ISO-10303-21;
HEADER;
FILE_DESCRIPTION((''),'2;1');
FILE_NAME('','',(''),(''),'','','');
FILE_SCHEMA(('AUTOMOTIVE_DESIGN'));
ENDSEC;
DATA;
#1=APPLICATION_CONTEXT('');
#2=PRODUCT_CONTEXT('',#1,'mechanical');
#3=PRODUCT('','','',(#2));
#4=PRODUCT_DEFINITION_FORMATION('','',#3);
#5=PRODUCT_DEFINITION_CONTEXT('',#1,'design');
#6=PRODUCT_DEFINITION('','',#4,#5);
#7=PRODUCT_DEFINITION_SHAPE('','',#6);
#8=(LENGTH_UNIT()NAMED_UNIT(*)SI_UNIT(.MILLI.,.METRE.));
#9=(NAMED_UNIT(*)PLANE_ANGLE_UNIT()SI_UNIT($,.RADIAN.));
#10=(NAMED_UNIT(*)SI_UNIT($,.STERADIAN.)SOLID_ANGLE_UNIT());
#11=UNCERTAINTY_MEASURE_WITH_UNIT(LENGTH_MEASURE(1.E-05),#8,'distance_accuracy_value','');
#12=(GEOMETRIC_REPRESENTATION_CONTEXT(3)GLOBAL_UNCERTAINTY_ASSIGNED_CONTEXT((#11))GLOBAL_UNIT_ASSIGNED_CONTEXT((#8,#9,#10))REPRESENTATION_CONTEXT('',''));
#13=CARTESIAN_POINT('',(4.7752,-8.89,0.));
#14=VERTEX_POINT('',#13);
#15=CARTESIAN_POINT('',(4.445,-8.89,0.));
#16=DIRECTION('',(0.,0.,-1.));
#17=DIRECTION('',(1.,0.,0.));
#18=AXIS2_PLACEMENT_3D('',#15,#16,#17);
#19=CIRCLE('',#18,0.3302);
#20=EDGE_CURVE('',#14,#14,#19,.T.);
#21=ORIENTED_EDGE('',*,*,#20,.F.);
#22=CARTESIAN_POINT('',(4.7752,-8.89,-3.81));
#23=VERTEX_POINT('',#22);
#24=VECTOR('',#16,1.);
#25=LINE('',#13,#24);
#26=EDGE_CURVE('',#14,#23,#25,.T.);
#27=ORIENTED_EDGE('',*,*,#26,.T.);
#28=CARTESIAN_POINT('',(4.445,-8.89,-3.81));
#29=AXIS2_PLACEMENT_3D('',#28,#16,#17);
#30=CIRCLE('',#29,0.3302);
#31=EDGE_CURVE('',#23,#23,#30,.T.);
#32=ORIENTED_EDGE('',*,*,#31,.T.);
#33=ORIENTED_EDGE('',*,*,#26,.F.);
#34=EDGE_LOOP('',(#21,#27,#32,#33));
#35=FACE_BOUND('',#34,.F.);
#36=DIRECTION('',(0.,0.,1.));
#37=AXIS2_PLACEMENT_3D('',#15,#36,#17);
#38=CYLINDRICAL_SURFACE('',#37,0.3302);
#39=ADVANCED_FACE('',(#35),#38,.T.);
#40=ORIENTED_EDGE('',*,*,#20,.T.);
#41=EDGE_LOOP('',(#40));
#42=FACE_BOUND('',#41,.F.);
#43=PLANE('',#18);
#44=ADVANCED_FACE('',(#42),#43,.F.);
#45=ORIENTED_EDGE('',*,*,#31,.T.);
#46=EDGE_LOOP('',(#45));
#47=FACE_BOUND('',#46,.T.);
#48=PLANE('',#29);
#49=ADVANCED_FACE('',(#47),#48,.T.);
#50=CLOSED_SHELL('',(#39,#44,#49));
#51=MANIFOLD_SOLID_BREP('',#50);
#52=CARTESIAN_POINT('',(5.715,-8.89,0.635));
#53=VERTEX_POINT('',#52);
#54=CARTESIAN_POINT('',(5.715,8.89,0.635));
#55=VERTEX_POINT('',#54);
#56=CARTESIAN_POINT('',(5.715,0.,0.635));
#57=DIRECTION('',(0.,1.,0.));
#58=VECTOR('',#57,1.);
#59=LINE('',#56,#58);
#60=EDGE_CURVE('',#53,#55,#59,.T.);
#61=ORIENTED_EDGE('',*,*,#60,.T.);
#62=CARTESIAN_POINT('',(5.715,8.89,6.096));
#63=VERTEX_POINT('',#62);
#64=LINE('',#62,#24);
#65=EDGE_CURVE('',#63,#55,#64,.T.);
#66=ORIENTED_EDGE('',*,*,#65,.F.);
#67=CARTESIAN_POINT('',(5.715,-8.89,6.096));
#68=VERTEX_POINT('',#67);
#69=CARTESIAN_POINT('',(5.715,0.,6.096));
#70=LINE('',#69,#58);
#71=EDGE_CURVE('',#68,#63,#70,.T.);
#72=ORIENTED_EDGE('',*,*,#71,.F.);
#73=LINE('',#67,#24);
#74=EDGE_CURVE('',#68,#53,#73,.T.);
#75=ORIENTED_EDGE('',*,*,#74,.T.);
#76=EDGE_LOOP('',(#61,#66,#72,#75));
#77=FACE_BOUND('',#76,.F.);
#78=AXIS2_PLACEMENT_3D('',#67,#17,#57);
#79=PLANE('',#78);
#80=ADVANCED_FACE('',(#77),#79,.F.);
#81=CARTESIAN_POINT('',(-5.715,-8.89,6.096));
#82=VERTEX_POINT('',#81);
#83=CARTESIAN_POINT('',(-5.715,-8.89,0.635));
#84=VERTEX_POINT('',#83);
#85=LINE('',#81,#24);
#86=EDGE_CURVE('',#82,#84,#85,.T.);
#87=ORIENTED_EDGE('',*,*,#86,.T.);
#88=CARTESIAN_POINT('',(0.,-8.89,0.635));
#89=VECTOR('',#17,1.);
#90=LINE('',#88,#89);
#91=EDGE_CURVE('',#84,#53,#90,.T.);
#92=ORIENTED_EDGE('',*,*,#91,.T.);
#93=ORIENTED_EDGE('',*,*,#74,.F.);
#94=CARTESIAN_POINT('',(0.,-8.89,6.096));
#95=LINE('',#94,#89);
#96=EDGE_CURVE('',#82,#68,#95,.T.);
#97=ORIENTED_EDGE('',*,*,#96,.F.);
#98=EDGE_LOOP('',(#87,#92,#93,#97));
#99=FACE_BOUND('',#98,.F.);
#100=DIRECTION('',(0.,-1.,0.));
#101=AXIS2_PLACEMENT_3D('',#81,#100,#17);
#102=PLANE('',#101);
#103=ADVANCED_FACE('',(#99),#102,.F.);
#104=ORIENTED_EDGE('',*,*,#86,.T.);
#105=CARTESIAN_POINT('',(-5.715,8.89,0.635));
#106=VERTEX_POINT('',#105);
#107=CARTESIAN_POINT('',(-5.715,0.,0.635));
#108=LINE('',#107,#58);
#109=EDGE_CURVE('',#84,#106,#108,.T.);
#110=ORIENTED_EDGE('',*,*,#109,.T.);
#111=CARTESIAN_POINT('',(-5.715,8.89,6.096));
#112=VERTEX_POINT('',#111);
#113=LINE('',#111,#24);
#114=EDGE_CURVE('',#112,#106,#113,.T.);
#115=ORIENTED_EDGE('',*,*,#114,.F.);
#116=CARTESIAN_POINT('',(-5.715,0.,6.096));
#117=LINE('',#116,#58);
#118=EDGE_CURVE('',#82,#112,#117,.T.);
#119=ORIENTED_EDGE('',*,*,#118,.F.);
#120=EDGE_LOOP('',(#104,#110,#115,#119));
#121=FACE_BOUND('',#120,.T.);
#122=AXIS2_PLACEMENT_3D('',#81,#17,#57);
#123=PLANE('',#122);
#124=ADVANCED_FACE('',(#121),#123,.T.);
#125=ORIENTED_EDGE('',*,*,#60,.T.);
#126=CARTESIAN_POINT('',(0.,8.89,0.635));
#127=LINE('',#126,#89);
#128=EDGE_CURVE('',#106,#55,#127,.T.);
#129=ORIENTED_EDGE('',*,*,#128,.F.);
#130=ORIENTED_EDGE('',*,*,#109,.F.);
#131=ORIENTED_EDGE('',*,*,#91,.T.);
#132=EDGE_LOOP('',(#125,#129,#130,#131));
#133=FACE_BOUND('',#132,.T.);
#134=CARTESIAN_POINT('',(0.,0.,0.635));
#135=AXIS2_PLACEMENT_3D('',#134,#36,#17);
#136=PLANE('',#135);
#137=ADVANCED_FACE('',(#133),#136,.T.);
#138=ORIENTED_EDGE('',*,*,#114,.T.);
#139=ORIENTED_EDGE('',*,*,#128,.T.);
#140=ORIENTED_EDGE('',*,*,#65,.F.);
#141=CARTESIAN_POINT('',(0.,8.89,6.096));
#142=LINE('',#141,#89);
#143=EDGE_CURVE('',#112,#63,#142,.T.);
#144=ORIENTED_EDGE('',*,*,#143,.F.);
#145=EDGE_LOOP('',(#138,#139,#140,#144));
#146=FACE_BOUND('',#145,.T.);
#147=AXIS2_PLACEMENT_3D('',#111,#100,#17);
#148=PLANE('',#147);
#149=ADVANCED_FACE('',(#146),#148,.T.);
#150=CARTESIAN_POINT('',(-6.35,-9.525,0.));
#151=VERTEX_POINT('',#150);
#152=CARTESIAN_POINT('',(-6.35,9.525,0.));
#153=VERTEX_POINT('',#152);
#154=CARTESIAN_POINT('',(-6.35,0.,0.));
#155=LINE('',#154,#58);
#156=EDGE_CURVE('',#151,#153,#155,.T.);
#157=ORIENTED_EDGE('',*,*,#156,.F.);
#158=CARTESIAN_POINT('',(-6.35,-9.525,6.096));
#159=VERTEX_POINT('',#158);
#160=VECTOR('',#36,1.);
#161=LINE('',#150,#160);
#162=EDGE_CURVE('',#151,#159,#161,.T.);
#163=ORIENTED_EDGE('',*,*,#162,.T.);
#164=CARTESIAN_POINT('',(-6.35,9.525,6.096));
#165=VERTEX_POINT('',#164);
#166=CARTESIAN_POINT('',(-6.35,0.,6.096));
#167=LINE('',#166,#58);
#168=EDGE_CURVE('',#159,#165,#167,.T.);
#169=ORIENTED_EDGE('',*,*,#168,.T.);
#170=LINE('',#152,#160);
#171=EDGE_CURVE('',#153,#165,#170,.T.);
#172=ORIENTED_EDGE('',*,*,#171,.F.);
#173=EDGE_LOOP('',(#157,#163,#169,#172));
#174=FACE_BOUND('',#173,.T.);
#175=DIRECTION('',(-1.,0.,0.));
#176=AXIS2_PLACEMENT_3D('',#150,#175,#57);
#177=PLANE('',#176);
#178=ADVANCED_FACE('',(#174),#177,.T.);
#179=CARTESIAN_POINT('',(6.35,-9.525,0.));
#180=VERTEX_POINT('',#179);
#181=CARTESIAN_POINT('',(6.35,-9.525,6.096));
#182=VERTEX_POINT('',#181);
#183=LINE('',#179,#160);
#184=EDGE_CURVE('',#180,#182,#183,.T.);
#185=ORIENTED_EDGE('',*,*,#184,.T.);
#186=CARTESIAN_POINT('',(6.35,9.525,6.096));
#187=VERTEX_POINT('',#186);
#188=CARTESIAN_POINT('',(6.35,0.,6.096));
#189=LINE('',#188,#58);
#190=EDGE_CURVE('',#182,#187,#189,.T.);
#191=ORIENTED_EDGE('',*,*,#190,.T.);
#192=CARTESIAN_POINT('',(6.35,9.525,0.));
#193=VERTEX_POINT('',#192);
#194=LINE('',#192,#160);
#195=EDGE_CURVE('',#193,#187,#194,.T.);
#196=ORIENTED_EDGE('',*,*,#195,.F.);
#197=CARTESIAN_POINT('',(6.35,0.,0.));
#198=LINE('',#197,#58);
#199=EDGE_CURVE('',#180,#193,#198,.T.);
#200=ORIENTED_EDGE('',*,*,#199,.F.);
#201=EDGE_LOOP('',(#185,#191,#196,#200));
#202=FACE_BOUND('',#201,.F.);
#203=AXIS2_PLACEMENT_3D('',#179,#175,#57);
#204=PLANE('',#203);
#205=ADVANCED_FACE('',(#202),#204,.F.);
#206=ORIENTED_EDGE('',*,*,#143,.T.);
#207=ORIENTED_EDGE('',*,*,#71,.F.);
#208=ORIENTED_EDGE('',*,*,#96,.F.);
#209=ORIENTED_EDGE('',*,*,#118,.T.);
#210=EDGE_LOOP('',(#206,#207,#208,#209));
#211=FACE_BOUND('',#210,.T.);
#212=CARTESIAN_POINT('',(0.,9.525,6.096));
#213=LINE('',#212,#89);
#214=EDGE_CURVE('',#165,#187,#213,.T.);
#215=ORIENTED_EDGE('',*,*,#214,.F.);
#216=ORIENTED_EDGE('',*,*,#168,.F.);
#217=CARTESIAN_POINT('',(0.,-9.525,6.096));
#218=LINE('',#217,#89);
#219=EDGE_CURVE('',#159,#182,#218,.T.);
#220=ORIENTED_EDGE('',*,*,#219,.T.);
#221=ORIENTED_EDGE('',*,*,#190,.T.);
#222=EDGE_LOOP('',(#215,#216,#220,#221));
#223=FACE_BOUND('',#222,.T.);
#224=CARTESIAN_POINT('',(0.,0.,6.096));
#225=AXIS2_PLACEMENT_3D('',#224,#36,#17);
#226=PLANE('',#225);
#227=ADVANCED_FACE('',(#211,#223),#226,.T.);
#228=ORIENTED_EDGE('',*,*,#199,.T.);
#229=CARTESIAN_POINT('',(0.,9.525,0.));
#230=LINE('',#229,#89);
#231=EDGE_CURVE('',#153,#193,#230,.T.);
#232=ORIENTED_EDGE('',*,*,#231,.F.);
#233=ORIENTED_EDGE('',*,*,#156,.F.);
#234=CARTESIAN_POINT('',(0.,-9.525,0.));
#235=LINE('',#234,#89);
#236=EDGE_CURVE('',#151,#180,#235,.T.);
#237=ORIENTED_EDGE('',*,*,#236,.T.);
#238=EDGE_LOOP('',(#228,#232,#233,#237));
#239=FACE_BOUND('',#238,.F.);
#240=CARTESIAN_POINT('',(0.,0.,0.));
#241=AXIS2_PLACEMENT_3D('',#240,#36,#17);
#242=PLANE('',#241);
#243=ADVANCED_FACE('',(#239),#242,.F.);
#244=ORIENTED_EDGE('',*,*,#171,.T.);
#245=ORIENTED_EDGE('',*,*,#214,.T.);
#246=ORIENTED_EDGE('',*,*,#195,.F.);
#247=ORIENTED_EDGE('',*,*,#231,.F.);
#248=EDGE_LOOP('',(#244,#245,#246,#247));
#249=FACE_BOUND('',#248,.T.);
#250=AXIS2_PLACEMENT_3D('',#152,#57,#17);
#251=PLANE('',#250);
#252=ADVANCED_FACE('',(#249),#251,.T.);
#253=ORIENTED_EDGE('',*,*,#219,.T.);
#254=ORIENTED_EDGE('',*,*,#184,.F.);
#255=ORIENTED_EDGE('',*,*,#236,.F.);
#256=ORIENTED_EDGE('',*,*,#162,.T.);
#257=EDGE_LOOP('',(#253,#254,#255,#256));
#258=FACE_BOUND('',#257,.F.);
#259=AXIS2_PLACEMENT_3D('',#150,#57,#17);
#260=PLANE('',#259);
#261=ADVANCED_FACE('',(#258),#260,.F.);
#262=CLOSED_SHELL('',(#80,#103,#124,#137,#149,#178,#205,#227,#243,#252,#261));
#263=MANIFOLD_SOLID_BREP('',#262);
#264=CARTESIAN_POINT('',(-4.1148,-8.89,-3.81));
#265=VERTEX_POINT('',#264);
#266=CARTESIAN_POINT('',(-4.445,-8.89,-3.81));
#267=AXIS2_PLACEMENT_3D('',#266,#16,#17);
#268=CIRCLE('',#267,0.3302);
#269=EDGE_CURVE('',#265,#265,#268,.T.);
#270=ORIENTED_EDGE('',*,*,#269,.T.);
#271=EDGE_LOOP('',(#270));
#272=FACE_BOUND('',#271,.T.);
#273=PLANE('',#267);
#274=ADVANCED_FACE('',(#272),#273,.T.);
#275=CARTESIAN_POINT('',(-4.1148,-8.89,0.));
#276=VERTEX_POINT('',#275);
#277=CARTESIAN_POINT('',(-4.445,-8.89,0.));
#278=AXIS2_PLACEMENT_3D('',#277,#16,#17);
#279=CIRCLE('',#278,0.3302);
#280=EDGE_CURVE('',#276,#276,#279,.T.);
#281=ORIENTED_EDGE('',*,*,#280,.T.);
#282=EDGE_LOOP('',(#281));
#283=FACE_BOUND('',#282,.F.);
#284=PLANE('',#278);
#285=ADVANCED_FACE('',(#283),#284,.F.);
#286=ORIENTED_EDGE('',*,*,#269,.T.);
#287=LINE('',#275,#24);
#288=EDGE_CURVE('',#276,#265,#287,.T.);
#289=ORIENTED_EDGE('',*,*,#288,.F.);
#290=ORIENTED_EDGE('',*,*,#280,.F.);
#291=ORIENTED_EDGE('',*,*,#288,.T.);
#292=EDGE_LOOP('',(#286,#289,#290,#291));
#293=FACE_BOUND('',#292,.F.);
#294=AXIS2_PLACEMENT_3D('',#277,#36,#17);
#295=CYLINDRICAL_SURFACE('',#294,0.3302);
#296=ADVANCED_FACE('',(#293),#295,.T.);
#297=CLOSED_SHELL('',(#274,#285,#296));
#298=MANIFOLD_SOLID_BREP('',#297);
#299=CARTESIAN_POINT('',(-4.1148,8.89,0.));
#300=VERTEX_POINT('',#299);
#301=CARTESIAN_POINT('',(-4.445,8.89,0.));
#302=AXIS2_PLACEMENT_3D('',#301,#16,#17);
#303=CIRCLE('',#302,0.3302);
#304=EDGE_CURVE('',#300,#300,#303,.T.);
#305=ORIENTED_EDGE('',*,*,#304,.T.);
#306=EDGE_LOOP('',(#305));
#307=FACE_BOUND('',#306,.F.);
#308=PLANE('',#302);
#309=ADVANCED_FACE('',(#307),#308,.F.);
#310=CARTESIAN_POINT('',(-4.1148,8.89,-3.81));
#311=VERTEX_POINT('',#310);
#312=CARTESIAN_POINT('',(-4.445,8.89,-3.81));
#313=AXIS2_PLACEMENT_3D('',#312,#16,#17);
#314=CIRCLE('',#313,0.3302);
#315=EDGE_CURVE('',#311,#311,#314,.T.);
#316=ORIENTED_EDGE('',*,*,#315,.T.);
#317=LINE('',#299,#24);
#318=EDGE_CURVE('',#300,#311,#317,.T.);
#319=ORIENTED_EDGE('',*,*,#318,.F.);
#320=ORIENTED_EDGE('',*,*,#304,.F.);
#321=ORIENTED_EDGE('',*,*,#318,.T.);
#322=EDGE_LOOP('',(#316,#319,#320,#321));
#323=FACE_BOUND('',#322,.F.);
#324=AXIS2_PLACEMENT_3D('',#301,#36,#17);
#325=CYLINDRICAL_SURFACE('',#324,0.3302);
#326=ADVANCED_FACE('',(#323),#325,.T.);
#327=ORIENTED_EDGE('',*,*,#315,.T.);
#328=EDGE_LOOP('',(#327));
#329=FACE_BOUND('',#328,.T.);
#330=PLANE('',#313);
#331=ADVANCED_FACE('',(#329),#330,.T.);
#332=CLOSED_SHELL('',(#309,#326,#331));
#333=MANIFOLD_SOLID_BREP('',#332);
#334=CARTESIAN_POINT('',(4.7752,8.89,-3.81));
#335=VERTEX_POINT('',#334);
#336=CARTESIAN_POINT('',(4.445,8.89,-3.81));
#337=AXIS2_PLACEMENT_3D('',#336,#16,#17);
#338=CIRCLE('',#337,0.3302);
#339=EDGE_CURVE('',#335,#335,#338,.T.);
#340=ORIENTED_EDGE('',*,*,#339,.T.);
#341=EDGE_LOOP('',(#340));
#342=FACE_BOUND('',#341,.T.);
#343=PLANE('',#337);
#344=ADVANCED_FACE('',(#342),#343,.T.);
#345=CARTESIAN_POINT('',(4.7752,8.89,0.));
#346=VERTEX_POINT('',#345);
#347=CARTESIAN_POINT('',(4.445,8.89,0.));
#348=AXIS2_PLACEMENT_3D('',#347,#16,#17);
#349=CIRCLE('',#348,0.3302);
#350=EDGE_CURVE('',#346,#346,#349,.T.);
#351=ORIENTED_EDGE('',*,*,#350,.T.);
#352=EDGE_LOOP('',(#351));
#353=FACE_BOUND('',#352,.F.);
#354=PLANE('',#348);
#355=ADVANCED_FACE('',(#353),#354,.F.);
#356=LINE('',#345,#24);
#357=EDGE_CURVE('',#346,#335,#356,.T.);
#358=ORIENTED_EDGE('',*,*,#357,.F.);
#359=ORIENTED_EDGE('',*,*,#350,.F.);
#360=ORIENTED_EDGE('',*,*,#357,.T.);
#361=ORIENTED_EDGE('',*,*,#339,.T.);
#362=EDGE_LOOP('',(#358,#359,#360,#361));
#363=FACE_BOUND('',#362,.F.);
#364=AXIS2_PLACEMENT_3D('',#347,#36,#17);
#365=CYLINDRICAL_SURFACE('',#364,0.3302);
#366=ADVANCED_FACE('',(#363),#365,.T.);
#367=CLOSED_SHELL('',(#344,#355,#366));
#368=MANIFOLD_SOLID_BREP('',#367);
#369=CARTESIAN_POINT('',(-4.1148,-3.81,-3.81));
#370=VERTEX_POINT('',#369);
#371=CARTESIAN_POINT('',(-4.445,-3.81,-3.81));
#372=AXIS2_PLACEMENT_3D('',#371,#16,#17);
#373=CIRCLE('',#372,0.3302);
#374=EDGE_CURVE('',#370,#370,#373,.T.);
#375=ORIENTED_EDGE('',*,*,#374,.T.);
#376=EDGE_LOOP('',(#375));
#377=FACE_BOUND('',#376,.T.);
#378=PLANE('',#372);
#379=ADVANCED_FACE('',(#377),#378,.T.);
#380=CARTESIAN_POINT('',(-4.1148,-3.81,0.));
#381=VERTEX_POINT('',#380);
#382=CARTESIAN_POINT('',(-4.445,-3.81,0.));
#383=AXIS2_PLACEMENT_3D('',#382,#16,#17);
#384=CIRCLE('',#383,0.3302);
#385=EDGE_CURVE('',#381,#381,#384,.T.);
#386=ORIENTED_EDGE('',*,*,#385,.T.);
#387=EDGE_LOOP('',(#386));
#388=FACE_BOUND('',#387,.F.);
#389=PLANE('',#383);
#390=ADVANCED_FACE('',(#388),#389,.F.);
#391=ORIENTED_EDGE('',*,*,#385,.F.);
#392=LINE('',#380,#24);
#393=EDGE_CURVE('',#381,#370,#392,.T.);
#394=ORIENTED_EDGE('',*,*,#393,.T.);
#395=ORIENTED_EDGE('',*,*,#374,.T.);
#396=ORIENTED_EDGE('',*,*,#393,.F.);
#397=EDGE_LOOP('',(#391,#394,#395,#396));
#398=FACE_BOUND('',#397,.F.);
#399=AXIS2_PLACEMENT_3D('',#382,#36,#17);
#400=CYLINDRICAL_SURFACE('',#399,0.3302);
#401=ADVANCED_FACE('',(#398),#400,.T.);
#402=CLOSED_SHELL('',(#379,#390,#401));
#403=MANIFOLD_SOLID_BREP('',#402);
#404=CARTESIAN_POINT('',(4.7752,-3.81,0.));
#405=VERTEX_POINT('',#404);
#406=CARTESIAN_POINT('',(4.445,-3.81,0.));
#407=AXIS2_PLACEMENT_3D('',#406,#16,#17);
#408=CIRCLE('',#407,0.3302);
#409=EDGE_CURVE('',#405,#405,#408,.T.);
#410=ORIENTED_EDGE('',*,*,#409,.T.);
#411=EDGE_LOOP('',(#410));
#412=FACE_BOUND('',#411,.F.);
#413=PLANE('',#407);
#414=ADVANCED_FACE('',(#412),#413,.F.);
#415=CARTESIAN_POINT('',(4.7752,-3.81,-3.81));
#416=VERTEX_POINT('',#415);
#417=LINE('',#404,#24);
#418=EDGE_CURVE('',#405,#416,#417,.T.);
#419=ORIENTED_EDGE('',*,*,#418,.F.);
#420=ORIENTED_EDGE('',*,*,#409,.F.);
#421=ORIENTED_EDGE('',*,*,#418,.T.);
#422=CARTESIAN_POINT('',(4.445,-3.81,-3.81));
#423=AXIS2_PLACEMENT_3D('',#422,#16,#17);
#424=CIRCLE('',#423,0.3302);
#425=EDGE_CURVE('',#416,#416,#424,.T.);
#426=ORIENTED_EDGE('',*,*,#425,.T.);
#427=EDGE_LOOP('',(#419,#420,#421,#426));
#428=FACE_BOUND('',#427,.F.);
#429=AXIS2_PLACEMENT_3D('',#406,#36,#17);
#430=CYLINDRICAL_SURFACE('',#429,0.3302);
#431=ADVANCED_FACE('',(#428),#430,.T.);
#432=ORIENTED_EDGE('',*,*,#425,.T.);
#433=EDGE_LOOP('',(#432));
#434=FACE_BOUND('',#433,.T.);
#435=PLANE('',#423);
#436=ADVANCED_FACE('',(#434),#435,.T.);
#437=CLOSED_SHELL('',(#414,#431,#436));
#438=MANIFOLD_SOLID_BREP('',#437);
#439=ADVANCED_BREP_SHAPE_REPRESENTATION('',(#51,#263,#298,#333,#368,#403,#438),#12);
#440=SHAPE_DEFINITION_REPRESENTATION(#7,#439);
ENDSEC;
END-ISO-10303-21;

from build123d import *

# Parameters (mm, degrees)
F1_W     = 12.7
F1_H     = 19.05
F2_DEPTH = 6.096
F3_W     = 11.43
F3_H     = 17.78
F4_DEPTH = 5.461
F5_R     = 0.3302
F6_DEPTH = 3.81


with BuildPart() as f2:
    # F1 (on Top) → F2 (new body)
    with BuildSketch(Plane.XY):
        Rectangle(F1_W, F1_H)
    extrude(amount=F2_DEPTH)

    # F3 (on face) → F4 (cut)
    with BuildSketch(Plane.XY.offset(6.096)):
        Rectangle(F3_W, F3_H)
    extrude(amount=-F4_DEPTH, mode=Mode.SUBTRACT)


with BuildPart() as f6:
    # F5 (on face) → F6 (new body)
    with BuildSketch(Plane(origin=(0, 0, 0), x_dir=(1, 0, 0), z_dir=(0, 0, -1))):
        with Locations((4.445, -8.89)):
            Circle(F5_R)
    extrude(amount=F6_DEPTH)


with BuildPart() as f6b:
    # F5 (on face) → F6, piece 2 (new body)
    with BuildSketch(Plane(origin=(0, 0, 0), x_dir=(1, 0, 0), z_dir=(0, 0, -1))):
        with Locations((4.445, 3.81)):
            Circle(F5_R)
    extrude(amount=F6_DEPTH)


with BuildPart() as f6c:
    # F5 (on face) → F6, piece 3 (new body)
    with BuildSketch(Plane(origin=(0, 0, 0), x_dir=(1, 0, 0), z_dir=(0, 0, -1))):
        with Locations((4.445, 8.89)):
            Circle(F5_R)
    extrude(amount=F6_DEPTH)


with BuildPart() as f6d:
    # F5 (on face) → F6, piece 4 (new body)
    with BuildSketch(Plane(origin=(0, 0, 0), x_dir=(1, 0, 0), z_dir=(0, 0, -1))):
        with Locations((-4.445, 8.89)):
            Circle(F5_R)
    extrude(amount=F6_DEPTH)


with BuildPart() as f6e:
    # F5 (on face) → F6, piece 5 (new body)
    with BuildSketch(Plane(origin=(0, 0, 0), x_dir=(1, 0, 0), z_dir=(0, 0, -1))):
        with Locations((-4.445, 3.81)):
            Circle(F5_R)
    extrude(amount=F6_DEPTH)


with BuildPart() as f6f:
    # F5 (on face) → F6, piece 6 (new body)
    with BuildSketch(Plane(origin=(0, 0, 0), x_dir=(1, 0, 0), z_dir=(0, 0, -1))):
        with Locations((-4.445, -8.89)):
            Circle(F5_R)
    extrude(amount=F6_DEPTH)


solid = Compound([f2.part, f6.part, f6b.part, f6c.part, f6d.part, f6e.part, f6f.part])
